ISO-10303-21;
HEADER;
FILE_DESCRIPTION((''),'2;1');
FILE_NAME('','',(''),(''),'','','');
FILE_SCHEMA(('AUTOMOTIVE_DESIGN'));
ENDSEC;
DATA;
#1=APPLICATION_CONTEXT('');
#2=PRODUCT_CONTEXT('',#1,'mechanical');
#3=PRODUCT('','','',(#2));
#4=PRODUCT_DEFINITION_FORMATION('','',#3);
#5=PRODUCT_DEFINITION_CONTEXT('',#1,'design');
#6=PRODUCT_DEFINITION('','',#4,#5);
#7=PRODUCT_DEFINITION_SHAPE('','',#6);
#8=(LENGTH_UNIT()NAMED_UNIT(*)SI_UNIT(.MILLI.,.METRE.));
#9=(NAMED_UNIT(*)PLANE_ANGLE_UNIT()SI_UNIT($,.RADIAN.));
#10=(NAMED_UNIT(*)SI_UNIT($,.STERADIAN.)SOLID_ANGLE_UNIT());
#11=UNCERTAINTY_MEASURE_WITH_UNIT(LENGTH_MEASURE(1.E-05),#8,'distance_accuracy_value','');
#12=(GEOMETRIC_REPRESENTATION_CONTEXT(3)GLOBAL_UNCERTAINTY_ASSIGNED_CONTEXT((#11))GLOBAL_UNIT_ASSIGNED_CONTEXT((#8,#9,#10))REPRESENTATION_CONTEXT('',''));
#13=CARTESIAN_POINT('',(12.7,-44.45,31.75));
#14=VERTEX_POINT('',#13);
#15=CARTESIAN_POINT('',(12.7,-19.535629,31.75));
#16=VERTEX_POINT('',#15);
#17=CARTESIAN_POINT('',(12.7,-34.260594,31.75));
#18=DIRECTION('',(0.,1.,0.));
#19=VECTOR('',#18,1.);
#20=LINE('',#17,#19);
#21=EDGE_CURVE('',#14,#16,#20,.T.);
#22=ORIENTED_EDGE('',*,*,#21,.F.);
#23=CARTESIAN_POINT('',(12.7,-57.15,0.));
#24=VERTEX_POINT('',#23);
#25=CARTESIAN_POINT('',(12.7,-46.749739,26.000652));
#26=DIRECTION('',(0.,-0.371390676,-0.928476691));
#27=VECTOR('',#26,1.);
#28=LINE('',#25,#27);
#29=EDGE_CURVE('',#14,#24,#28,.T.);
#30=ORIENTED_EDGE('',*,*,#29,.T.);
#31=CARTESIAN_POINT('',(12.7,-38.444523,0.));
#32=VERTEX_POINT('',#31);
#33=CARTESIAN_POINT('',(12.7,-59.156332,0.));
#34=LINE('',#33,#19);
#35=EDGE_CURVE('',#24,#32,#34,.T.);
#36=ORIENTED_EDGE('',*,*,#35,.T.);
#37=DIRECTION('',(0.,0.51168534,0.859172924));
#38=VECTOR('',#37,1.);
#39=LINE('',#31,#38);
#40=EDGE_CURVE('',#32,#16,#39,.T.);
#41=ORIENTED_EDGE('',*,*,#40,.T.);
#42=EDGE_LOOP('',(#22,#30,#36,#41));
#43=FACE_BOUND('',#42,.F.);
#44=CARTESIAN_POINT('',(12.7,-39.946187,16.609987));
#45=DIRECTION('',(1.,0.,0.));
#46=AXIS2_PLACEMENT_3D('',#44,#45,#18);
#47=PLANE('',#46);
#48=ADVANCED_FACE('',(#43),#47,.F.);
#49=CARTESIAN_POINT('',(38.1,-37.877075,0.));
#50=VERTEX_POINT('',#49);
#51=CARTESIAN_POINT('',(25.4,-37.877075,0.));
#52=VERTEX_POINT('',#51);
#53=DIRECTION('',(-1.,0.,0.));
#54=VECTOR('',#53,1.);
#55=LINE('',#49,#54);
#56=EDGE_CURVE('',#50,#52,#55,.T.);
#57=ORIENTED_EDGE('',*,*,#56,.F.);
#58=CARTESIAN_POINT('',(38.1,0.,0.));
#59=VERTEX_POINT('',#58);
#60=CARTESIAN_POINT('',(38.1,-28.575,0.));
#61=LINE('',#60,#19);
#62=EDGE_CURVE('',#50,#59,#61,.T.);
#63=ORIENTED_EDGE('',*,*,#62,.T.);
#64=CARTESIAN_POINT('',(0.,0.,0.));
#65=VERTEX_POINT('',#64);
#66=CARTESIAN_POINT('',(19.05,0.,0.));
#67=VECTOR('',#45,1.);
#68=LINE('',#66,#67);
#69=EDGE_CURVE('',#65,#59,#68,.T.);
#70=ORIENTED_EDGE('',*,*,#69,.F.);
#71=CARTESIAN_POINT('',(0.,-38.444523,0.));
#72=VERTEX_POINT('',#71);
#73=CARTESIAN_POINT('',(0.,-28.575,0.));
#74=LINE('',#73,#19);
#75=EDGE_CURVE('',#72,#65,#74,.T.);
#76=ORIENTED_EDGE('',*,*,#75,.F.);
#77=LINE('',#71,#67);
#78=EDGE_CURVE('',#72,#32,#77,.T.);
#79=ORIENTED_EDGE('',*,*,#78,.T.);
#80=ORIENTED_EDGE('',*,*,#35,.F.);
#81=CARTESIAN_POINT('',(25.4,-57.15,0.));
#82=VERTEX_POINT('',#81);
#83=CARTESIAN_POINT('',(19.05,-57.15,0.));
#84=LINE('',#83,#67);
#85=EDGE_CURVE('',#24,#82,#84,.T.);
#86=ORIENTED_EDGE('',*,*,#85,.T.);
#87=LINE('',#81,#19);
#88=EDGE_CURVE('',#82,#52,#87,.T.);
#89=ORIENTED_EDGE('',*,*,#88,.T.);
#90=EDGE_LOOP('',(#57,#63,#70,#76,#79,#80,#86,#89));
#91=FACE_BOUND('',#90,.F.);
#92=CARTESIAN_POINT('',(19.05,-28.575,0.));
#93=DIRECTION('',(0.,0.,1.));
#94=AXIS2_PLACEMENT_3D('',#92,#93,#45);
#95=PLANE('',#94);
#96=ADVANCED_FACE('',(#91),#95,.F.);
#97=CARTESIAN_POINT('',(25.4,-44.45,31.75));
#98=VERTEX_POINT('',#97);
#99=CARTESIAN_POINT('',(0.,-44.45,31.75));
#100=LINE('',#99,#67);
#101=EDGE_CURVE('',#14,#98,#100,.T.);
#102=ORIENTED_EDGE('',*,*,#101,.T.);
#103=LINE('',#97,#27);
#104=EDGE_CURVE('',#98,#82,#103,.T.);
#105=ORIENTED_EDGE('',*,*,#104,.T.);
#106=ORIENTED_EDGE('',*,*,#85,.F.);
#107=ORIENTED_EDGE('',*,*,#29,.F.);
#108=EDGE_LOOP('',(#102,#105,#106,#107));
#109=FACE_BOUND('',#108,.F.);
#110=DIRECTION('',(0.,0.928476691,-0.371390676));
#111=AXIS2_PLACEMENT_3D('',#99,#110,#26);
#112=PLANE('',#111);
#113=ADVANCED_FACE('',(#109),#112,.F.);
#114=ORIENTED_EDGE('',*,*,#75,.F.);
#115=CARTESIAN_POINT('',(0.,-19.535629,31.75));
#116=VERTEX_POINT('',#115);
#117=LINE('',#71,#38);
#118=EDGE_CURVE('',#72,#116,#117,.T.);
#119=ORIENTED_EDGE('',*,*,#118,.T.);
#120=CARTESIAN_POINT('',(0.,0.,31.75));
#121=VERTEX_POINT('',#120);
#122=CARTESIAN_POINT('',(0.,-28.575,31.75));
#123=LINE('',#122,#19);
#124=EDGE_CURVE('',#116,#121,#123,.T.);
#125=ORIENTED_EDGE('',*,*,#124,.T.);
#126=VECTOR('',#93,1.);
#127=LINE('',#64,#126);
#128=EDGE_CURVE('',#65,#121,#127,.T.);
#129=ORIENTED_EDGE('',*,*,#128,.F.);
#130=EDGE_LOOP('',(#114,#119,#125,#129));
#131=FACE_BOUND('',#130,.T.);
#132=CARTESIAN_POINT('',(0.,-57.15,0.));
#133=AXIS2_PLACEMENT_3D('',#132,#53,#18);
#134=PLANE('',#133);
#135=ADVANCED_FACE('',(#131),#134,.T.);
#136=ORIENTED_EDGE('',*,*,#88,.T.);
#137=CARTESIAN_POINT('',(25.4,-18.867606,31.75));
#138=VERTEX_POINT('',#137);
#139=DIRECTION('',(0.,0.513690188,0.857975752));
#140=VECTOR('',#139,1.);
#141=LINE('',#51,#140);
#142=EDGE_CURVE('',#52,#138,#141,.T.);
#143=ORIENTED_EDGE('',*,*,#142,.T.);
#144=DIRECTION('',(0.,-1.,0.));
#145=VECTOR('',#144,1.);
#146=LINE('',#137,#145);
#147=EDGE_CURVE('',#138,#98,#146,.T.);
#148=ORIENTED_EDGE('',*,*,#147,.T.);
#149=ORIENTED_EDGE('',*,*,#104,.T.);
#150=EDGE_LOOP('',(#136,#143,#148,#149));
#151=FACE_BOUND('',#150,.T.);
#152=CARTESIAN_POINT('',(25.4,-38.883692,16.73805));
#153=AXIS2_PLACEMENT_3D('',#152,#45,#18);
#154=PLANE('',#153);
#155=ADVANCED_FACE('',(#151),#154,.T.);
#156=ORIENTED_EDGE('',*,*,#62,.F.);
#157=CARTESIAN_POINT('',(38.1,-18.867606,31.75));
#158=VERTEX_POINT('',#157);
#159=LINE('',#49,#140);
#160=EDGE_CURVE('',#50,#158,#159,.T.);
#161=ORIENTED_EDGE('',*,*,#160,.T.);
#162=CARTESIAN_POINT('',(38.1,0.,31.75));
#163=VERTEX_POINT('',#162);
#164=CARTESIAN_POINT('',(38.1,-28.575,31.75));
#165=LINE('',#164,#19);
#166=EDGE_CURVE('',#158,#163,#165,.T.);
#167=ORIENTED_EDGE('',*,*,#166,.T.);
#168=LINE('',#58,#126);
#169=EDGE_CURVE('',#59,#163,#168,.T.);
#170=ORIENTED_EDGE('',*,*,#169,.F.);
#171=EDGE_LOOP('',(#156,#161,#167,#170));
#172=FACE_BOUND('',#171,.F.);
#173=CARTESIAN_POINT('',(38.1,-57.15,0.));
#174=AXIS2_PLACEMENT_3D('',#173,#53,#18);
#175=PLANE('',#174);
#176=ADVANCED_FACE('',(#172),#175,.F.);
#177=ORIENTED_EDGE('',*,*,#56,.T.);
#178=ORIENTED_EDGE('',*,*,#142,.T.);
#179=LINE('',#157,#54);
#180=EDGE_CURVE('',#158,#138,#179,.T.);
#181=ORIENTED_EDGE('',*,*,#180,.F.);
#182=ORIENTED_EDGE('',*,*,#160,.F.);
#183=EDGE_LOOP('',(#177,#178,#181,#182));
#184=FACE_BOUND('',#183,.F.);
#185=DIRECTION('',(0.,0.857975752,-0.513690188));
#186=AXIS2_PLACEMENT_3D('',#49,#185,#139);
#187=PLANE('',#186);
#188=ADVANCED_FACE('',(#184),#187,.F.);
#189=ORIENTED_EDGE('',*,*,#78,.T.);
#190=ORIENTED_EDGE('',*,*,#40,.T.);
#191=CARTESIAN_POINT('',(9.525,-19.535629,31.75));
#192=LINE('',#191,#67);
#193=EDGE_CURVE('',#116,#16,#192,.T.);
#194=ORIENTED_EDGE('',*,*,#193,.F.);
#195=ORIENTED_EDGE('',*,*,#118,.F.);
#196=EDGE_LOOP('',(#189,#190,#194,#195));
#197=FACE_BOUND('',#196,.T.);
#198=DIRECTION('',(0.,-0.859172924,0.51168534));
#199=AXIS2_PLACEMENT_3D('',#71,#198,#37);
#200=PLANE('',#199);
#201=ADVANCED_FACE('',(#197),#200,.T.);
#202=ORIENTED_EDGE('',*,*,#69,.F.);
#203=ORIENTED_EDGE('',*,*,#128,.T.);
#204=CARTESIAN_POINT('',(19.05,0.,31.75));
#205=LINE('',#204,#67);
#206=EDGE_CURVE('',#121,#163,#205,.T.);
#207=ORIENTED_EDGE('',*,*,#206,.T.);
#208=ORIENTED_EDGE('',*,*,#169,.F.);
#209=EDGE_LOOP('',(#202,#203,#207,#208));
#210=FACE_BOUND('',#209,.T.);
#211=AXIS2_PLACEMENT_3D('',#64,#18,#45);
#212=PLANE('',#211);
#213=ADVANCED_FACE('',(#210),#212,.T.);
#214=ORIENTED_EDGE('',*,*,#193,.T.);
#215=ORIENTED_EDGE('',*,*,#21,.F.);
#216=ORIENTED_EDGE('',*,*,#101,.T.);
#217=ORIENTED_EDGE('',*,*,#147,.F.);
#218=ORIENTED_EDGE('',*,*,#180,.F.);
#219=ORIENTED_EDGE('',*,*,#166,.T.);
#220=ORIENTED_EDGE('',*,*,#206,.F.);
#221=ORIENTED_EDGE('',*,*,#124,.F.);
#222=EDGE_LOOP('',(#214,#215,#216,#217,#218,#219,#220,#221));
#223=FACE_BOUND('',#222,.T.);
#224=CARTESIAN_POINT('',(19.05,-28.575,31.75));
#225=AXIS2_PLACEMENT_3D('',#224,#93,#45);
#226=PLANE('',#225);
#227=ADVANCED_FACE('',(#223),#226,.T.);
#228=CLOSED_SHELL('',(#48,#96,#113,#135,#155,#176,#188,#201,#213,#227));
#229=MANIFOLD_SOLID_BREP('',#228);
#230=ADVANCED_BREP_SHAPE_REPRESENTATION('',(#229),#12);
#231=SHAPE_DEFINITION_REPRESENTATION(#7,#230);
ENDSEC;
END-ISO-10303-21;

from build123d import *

# Parameters (mm, degrees)
F0_W     = 38.1
F0_H     = 57.15
F1_DEPTH = 31.75
F3_DEPTH = 50.8
F5_DEPTH = 12.7
F7_DEPTH = 12.7


with BuildPart() as f1:
    # F0 (on Top) → F1 (new body)
    with BuildSketch(Plane.XY):
        with Locations((19.05, -28.575)):
            Rectangle(F0_W, F0_H)
    extrude(amount=F1_DEPTH)

    # F2 (on face) → F3 (cut)
    with BuildSketch(Plane(origin=(0, 0, 0), x_dir=(0, -1, 0), z_dir=(-1, 0, 0))):
        Polygon((57.15, 31.75), (44.45, 31.75), (57.15, 0), align=None)
    extrude(amount=-F3_DEPTH, mode=Mode.SUBTRACT)

    # F4 (on Right) → F5 (cut)
    with BuildSketch(Plane.YZ):
        Polygon((-38.444523, 0), (-19.43505, 31.918883), (-44.970158, 31.918883), (-59.156332, 0), (-56.886543, 0), align=None)
    extrude(amount=F5_DEPTH, mode=Mode.SUBTRACT)

    # F6 (on face) → F7 (cut)
    with BuildSketch(Plane.YZ.offset(38.1)):
        Polygon((-44.45, 31.75), (-57.15, 0), (-37.877075, 0), (-18.867606, 31.75), align=None)
    extrude(amount=-F7_DEPTH, mode=Mode.SUBTRACT)


solid = f1.part
